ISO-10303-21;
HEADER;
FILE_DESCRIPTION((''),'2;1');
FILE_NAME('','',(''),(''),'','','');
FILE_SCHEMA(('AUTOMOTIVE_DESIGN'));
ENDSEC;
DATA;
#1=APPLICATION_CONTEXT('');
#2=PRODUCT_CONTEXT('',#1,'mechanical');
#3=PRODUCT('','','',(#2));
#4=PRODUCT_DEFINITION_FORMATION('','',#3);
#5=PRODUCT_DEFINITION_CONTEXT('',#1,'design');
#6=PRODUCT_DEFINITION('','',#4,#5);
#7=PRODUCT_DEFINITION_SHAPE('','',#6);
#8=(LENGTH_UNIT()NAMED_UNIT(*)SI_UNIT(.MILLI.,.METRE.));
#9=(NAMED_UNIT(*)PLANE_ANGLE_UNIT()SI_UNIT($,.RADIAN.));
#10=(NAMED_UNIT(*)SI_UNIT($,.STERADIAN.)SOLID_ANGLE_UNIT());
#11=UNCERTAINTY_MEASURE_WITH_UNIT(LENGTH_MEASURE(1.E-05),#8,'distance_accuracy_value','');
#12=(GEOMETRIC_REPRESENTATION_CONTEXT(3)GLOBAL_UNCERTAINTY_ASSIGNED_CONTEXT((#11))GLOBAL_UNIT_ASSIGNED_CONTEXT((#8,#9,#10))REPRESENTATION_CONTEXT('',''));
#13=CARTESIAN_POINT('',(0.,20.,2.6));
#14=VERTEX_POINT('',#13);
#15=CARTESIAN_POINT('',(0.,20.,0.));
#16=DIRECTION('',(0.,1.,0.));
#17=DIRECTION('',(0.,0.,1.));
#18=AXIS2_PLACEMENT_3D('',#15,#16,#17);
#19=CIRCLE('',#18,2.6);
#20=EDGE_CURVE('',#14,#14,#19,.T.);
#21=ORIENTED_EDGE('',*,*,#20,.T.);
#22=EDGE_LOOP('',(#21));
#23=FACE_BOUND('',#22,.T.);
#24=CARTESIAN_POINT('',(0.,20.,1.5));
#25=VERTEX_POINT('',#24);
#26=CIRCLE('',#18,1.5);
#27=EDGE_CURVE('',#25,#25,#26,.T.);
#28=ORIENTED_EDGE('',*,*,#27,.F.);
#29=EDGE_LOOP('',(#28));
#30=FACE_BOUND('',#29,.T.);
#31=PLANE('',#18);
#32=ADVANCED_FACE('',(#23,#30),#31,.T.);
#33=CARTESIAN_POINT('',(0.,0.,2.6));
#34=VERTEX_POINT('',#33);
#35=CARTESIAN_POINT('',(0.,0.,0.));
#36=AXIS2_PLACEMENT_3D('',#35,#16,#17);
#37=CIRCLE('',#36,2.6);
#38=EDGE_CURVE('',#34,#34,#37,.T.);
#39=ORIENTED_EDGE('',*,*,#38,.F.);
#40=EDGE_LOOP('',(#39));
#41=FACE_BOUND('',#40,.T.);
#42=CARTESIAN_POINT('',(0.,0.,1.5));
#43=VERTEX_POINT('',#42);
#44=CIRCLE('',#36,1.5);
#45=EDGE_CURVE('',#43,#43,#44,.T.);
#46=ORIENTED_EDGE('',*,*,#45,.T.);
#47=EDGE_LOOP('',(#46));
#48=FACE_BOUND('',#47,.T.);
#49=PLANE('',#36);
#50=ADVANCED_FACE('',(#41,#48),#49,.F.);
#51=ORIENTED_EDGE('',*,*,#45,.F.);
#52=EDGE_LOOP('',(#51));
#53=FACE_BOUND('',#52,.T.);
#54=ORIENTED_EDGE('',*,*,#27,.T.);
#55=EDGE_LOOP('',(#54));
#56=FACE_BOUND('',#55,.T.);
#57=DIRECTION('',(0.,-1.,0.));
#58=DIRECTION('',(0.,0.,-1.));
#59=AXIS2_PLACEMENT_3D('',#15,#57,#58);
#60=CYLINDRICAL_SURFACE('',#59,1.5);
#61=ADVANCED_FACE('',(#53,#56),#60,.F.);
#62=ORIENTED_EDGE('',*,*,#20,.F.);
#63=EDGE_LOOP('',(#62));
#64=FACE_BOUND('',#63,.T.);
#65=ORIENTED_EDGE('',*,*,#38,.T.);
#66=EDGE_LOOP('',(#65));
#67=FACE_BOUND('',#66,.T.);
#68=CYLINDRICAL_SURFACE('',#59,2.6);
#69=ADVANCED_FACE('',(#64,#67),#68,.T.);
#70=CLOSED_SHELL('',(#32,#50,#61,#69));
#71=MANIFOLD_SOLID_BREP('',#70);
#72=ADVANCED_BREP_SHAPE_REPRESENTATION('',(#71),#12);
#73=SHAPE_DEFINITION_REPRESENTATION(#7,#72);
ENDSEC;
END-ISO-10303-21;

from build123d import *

# Parameters (mm, degrees)
SKETCH_1_R      = 2.6
SKETCH_1_R_2    = 1.5
EXTRUDE_1_DEPTH = 20


with BuildPart() as part:
    # 草图1 → 凸台-拉伸1 (new body)
    with BuildSketch(Plane(origin=(0, 0, 0), x_dir=(1, 0, 0), z_dir=(0, 1, 0))):
        with Locations(Location((0, 0, 0), (0, 0, 270))):
            Circle(SKETCH_1_R)
        with Locations(Location((0, 0, 0), (0, 0, 270))):
            Circle(SKETCH_1_R_2, mode=Mode.SUBTRACT)
    extrude(amount=EXTRUDE_1_DEPTH)


solid = part.part
